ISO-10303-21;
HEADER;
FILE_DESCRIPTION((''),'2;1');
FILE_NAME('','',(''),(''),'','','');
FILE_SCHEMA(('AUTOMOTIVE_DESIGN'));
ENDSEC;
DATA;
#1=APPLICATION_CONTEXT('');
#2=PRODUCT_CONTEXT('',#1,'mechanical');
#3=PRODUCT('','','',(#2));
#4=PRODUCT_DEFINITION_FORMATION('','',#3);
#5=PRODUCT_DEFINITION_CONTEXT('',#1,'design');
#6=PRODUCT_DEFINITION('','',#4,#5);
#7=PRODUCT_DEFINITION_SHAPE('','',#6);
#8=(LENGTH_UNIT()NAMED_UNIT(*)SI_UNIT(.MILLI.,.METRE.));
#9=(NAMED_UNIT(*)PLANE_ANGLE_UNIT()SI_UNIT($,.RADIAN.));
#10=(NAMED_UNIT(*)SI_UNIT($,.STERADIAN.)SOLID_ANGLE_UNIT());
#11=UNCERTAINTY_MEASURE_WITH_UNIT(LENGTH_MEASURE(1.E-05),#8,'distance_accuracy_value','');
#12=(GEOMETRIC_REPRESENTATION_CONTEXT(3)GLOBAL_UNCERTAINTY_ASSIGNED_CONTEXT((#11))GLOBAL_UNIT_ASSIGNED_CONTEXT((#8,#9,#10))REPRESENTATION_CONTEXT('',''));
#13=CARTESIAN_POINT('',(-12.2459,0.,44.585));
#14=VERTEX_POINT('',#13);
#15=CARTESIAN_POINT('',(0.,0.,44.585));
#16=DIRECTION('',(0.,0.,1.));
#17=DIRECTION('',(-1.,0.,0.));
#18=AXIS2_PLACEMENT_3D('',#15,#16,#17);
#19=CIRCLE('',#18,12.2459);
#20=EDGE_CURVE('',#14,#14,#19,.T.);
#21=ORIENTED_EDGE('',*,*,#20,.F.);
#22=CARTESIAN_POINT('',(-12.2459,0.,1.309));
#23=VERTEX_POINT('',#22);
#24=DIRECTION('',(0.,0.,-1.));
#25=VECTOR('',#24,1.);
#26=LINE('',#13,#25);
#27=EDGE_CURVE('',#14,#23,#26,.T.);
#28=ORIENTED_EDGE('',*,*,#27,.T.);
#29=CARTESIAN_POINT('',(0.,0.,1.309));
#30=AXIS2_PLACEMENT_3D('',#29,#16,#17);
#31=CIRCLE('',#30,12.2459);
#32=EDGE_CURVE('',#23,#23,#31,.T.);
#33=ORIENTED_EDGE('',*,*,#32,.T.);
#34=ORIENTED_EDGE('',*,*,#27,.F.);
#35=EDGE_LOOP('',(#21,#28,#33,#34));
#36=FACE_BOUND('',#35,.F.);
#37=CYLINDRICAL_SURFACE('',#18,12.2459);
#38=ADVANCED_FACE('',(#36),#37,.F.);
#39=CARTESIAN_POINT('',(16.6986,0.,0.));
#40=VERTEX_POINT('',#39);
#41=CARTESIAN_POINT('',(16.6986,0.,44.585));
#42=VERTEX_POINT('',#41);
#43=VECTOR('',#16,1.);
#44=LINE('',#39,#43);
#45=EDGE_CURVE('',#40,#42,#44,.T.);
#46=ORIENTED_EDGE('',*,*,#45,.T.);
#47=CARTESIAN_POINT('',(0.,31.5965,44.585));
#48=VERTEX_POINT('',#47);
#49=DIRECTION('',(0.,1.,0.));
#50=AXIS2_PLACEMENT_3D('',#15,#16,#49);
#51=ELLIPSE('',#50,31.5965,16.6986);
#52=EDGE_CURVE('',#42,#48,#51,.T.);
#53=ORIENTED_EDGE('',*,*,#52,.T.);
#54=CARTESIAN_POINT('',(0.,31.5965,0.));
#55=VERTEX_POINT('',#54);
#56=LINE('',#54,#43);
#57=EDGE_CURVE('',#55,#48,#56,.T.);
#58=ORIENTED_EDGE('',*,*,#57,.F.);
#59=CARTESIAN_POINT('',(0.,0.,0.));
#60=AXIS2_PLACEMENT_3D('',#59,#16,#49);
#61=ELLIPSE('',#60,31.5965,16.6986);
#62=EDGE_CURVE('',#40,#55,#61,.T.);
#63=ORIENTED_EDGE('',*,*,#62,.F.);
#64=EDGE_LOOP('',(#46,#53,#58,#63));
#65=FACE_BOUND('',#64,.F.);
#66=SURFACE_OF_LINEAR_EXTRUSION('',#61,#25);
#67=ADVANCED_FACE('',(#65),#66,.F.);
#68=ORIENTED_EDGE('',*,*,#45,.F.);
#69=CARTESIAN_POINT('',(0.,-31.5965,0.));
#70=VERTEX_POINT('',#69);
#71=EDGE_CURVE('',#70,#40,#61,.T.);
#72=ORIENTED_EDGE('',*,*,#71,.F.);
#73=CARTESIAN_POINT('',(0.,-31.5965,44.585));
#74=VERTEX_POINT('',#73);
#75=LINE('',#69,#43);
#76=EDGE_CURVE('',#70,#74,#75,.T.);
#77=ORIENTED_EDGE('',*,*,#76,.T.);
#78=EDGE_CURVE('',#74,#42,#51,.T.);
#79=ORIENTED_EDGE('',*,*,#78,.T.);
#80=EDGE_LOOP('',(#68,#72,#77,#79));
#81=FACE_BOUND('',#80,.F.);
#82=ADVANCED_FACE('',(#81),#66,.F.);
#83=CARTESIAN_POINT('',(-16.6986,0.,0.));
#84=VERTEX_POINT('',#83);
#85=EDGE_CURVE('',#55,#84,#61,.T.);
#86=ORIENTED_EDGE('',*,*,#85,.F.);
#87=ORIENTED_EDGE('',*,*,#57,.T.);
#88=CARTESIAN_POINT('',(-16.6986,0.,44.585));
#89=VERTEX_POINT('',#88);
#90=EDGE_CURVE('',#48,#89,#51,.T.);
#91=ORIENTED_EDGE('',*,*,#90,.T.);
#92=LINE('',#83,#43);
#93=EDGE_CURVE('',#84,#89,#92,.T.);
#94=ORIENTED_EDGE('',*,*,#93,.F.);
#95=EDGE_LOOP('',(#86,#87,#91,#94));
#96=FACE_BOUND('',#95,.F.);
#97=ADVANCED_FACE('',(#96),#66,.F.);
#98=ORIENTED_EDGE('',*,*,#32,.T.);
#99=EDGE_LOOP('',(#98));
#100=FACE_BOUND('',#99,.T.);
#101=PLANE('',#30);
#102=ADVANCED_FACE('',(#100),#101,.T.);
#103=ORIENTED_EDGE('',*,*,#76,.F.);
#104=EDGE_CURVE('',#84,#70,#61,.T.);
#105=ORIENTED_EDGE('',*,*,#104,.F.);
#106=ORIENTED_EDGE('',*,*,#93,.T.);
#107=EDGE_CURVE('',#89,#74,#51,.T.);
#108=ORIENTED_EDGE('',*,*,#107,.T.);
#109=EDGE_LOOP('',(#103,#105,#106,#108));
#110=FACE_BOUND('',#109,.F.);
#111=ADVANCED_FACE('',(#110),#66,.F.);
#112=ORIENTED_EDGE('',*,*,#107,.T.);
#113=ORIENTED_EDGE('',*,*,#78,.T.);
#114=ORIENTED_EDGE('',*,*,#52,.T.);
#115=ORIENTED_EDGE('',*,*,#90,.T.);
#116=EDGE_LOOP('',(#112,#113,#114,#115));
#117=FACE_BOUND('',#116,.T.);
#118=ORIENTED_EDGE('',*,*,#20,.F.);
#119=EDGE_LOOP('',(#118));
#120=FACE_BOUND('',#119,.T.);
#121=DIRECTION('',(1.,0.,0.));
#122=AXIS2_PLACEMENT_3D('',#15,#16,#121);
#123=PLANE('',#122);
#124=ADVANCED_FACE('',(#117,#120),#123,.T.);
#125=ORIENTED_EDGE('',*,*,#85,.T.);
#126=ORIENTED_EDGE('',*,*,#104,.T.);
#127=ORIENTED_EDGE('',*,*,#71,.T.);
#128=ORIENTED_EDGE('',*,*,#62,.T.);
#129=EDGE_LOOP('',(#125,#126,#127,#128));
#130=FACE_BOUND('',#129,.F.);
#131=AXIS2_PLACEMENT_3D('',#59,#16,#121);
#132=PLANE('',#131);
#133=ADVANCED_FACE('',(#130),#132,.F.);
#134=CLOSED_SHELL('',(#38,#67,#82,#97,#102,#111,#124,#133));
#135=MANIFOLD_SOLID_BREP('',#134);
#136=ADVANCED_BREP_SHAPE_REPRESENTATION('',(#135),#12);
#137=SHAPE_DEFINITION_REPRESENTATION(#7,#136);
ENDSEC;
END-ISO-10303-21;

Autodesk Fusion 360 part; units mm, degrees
sketch "Sketch1" plane through (0, 0, 0) normal (0, 0, 1) x (1, 0, 0)
  ellipse E0 centre (0, 0) end of major axis (0, 31.5965) minor radius 16.6986
  line L0 (0, -31.5965) -> (0, 31.5965)
  line L1 (16.6986, 0) -> (-16.6986, 0)
extrude "Extrude1" add sketch "Sketch1" along normal blind 44.585
ref_plane "WorkPlane1" through (0, 0, 13.758) normal (0, 0, 1) x (1, 0, 0)
sketch "Sketch9" plane through (0, 0, 44.585) normal (0, 0, 1) x (-1, 0, 0)
  circle A0 centre (0, 0) radius 12.2459
extrude "Extrude3" cut sketch "Sketch9" against normal blind 43.276
